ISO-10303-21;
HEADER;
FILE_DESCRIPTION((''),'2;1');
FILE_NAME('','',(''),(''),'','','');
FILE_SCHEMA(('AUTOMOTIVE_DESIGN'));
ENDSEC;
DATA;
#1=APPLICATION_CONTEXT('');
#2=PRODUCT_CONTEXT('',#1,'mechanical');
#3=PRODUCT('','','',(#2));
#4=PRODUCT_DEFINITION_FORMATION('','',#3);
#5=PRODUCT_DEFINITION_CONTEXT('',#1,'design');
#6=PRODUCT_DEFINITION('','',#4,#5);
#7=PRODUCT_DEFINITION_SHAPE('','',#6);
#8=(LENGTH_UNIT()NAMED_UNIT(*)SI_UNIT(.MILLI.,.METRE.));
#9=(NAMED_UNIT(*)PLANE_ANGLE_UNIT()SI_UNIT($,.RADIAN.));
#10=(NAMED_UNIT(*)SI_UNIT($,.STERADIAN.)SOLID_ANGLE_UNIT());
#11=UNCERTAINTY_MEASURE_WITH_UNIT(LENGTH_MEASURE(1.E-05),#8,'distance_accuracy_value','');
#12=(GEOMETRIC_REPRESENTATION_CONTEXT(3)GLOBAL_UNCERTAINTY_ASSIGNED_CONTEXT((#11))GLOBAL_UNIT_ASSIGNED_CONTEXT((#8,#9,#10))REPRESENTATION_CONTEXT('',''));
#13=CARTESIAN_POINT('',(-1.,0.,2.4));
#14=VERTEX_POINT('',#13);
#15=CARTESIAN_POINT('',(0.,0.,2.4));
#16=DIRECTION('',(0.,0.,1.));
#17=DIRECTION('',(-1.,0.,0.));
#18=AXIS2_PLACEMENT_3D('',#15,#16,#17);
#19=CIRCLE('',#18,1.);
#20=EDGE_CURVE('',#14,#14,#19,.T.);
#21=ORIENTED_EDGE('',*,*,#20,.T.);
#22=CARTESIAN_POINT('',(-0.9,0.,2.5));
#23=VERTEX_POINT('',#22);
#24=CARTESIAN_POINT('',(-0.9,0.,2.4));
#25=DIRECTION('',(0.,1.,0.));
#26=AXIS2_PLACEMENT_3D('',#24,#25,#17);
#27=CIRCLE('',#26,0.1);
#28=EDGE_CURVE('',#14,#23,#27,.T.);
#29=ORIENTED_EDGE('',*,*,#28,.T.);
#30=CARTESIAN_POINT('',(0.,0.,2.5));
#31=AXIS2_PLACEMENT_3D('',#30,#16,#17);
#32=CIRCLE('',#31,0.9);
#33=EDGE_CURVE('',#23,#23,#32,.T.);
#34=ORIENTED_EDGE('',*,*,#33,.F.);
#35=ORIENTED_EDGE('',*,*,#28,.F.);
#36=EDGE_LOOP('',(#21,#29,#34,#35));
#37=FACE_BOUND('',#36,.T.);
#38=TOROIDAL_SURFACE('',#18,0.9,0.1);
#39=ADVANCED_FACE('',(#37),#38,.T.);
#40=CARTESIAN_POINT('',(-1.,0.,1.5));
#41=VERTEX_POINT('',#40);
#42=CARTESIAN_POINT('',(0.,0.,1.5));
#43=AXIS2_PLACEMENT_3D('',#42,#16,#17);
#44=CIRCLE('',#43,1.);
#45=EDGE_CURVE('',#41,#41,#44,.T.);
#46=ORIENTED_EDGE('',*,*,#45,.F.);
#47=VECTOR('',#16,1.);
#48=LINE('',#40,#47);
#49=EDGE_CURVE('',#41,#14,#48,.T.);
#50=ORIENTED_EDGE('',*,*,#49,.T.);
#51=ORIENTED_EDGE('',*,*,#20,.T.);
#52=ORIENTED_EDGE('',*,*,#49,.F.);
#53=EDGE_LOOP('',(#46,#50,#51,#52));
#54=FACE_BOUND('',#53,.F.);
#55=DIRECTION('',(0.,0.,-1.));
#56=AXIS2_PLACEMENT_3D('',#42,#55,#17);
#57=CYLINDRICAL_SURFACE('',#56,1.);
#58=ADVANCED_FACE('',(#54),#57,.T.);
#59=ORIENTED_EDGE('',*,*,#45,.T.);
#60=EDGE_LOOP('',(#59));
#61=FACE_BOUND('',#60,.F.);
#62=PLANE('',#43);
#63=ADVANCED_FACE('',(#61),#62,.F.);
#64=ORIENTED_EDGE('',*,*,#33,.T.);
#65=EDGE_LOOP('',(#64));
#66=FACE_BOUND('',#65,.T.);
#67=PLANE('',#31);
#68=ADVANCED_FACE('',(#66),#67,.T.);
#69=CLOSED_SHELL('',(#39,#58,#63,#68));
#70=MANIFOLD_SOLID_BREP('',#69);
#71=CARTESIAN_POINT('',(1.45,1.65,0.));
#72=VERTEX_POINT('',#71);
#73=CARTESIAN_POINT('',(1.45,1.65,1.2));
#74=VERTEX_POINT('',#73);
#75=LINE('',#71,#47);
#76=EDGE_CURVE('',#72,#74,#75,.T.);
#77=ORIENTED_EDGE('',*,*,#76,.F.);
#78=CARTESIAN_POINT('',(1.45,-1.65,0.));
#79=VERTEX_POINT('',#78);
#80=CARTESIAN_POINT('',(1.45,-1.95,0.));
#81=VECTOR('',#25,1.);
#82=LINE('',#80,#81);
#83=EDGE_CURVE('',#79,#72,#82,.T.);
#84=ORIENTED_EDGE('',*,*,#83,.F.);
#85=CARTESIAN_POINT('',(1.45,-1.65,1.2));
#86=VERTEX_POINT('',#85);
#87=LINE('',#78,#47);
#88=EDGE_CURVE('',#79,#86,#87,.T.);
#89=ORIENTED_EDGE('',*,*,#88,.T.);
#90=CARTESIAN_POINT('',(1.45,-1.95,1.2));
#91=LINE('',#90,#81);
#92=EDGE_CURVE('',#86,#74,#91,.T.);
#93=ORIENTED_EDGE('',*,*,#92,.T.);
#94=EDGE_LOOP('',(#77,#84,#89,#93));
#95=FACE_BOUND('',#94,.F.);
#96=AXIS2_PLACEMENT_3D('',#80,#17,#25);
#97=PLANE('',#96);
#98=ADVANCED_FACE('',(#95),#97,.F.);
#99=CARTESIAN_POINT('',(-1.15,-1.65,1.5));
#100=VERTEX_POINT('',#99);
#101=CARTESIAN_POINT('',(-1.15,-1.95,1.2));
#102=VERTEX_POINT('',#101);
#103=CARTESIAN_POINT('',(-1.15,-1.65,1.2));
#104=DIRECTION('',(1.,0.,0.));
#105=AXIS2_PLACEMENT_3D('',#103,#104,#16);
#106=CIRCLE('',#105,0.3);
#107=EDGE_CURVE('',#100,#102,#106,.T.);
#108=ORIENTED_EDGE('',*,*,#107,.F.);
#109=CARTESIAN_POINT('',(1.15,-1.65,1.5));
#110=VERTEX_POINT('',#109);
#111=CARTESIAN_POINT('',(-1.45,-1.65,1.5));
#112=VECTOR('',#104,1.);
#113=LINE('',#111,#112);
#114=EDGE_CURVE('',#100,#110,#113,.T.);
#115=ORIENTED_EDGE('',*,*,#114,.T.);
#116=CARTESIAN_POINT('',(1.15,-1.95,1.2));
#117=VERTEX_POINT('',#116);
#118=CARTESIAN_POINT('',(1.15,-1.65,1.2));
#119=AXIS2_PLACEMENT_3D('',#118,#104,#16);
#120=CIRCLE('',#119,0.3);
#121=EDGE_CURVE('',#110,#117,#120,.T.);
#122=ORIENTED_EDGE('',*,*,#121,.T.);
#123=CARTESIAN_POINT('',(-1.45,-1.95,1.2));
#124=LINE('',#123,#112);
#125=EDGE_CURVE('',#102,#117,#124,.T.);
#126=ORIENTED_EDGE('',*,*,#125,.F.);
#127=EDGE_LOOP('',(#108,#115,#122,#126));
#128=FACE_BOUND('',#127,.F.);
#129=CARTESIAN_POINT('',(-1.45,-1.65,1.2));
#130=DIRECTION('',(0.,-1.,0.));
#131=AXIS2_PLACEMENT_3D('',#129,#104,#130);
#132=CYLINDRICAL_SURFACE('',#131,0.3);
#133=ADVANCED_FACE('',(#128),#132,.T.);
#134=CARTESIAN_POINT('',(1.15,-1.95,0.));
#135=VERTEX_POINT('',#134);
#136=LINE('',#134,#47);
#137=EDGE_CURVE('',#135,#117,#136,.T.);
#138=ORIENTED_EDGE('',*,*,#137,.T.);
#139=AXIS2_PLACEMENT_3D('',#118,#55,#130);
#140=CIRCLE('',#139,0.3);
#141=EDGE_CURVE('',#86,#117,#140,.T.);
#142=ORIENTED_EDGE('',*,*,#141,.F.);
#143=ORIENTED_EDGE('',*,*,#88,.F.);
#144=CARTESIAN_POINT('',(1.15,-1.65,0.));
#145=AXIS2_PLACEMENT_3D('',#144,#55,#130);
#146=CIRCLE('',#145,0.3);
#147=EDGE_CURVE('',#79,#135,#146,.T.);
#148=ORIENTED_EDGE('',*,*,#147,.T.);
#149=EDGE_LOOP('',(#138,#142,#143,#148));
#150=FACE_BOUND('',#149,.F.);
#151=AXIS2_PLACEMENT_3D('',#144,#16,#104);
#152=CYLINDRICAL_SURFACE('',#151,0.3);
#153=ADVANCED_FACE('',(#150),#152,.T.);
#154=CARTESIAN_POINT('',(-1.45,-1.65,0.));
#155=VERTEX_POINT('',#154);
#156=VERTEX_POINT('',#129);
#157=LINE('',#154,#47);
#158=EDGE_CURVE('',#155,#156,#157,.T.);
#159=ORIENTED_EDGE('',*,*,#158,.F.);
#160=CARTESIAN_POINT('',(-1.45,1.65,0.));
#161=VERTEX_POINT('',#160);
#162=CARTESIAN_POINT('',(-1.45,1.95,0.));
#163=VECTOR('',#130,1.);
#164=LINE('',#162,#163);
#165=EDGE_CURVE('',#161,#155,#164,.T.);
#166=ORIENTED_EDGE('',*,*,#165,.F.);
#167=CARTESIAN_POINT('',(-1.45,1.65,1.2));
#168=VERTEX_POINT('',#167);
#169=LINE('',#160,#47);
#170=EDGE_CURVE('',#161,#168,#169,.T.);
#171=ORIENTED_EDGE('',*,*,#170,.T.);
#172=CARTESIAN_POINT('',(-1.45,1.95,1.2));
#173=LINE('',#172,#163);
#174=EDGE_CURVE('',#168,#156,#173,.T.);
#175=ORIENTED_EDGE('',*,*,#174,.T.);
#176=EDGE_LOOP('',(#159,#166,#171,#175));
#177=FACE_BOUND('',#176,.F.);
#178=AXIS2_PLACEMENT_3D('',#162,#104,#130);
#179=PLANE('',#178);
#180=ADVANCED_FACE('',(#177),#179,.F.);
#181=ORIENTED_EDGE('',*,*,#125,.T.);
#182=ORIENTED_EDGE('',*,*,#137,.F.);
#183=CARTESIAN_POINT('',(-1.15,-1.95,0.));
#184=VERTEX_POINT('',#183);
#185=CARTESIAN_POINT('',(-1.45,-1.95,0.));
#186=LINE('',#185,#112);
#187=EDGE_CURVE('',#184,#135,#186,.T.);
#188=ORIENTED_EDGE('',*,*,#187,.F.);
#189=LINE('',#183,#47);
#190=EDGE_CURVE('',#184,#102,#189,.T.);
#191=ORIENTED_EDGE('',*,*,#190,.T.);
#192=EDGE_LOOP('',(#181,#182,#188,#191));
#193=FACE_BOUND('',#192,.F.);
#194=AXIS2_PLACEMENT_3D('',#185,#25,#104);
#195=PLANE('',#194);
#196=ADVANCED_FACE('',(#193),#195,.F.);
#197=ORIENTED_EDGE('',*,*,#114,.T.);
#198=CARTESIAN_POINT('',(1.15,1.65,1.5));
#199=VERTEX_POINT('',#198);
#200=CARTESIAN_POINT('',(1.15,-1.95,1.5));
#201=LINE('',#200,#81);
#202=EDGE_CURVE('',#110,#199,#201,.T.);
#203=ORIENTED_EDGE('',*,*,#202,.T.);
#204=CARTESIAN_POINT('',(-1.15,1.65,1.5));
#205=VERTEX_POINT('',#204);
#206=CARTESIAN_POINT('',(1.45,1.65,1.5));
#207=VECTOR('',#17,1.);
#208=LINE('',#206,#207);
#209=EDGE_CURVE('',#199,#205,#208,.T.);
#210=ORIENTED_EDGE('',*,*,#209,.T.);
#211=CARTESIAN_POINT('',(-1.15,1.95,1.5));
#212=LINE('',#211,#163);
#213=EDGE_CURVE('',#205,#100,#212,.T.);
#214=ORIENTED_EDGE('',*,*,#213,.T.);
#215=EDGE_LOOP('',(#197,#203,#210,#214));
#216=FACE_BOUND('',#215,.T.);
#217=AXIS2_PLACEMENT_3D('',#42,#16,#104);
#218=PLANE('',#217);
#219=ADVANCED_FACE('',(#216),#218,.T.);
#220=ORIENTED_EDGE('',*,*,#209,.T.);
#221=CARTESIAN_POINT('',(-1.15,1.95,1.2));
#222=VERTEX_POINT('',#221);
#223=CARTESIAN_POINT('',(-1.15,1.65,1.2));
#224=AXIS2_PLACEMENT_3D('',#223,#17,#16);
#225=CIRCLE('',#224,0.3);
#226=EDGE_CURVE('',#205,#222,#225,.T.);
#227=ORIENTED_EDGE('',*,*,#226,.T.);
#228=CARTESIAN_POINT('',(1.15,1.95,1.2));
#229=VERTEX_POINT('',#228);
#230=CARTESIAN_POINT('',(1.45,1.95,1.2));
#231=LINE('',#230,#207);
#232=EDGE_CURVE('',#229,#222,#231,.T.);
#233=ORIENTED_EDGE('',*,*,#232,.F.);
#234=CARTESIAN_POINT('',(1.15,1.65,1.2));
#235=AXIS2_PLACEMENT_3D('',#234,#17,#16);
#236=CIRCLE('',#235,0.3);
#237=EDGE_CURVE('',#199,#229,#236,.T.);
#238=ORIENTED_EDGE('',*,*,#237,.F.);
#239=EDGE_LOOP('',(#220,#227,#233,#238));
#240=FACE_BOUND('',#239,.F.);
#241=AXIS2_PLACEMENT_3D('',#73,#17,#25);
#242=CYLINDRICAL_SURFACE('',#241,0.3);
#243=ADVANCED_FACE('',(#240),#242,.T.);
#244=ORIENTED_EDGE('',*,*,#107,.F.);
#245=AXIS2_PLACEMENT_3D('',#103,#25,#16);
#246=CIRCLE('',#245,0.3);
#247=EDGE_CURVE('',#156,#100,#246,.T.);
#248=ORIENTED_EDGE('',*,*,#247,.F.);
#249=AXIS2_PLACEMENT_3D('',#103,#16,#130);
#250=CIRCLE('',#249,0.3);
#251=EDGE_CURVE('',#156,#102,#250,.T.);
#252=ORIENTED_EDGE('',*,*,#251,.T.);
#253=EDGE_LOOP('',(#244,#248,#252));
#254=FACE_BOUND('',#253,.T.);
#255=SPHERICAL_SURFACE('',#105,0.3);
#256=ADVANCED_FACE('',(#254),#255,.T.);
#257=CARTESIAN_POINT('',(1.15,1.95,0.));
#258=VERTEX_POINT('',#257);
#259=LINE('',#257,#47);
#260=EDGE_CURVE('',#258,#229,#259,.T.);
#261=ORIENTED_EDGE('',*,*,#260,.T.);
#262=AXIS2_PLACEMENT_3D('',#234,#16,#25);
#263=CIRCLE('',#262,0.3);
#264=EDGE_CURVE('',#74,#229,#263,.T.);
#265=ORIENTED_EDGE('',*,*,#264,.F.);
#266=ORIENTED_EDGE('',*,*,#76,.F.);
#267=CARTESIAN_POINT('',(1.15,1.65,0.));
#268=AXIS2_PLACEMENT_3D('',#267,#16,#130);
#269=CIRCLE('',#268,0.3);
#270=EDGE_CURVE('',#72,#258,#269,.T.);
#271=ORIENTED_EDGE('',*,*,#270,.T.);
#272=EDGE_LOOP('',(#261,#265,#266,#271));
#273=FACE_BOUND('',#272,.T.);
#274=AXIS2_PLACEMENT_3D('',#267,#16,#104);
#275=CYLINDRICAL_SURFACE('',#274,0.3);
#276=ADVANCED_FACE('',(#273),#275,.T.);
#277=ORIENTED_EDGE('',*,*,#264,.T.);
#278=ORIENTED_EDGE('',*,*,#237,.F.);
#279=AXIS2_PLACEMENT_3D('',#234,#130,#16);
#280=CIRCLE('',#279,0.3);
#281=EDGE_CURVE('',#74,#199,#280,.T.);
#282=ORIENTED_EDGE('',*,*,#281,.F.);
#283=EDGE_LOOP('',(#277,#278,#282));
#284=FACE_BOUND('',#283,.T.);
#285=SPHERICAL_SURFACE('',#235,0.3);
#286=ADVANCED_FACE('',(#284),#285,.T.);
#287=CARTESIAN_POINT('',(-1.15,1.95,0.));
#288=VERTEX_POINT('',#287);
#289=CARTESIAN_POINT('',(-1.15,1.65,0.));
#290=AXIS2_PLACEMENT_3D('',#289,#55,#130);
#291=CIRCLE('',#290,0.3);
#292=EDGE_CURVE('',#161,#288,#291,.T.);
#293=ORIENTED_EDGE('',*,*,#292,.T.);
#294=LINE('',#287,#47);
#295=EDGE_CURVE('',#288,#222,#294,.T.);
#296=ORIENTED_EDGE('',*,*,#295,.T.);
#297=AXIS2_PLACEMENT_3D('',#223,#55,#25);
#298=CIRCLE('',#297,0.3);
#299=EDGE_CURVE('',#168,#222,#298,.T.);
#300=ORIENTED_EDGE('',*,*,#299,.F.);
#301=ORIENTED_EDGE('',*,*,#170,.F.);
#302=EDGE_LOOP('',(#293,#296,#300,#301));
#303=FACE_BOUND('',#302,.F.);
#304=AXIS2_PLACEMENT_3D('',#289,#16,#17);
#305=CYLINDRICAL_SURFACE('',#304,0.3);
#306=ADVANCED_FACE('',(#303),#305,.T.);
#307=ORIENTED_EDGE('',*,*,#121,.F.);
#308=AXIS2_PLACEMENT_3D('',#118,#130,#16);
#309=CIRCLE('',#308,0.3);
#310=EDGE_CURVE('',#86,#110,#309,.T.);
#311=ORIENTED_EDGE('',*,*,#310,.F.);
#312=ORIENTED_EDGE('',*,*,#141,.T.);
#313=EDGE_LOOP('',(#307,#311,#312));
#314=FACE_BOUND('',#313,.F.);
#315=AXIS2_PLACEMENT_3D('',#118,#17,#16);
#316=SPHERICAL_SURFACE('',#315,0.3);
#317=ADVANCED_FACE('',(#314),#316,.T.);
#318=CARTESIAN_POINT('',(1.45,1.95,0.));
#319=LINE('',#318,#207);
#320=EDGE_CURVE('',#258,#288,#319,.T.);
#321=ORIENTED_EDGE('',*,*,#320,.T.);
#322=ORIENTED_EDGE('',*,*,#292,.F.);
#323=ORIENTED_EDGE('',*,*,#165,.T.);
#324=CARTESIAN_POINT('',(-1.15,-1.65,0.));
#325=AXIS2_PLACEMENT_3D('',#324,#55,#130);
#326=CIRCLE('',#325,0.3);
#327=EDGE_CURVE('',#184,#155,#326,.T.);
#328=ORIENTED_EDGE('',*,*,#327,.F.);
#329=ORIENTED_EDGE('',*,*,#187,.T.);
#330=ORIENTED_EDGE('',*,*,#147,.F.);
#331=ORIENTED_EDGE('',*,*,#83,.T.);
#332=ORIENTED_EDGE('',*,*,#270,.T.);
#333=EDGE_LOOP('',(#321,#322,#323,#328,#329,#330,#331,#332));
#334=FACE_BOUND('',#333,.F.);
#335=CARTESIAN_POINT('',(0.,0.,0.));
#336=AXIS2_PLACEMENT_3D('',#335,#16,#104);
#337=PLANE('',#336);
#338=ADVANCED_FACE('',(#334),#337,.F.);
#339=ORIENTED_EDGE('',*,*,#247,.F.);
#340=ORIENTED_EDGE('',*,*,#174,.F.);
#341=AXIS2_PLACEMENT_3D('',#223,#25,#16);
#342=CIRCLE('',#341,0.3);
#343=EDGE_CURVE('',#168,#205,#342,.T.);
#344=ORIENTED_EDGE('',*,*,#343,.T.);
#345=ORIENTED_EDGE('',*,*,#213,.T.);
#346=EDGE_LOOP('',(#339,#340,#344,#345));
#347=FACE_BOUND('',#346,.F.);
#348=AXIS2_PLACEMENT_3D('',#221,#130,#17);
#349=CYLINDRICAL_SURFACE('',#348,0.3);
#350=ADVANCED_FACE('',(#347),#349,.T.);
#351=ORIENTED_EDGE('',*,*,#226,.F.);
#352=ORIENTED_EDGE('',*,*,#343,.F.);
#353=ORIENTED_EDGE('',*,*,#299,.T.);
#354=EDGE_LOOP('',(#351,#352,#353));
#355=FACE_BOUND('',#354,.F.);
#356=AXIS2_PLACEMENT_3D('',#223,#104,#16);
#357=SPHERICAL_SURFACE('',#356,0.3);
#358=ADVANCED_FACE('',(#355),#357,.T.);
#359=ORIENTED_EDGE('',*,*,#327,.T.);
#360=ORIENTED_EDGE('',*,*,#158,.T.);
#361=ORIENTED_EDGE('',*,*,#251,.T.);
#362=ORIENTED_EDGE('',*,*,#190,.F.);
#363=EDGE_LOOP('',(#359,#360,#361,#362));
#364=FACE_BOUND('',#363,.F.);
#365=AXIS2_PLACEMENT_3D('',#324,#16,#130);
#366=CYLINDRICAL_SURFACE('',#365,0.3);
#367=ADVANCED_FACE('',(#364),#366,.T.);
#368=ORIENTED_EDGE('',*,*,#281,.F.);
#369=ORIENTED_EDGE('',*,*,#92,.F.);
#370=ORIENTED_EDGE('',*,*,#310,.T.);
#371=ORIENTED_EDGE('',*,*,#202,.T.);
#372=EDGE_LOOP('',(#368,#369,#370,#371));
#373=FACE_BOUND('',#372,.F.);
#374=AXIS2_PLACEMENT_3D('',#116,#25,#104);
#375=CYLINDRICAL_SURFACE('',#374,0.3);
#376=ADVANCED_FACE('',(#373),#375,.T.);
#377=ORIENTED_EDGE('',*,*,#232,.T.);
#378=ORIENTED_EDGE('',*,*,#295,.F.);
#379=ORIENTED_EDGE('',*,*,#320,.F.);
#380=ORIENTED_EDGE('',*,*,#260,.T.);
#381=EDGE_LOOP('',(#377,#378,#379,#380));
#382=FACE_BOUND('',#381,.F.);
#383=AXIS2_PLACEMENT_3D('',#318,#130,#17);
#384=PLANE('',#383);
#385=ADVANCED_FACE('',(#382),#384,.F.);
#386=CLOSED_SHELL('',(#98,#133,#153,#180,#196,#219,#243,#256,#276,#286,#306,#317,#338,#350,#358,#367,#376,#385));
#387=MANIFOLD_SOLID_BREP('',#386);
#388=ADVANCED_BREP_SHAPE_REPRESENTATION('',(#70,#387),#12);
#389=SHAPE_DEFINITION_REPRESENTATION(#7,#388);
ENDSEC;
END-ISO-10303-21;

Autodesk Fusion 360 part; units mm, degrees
sketch "Sketch1" plane through (0, 0, 0) normal (0, 0, 1) x (1, 0, 0)
  line L0 (1.45, 1.95) -> (-1.45, 1.95)
  line L1 (-1.45, 1.95) -> (-1.45, -1.95)
  line L2 (-1.45, -1.95) -> (1.45, -1.95)
  line L3 (1.45, -1.95) -> (1.45, 1.95)
  line L4 (1.45, 1.95) -> (-1.45, -1.95) construction
  line L5 (-1.45, 1.95) -> (1.45, -1.95) construction
  dimension "d1" = 2.9
  dimension "d2" = 3.9
extrude "Extrude1" add sketch "Sketch1" along normal blind 1.5 makes body 1
fillet "Fillet1" radius 0.3 8 edges at (0, 1.95, 1.5) (0, -1.95, 1.5) (1.45, 0, 1.5) (-1.45, 0, 1.5) (1.45, -1.95, 0.75) (-1.45, -1.95, 0.75) (1.45, 1.95, 0.75) (-1.45, 1.95, 0.75) on bodies 1
sketch "Sketch2" plane through (0, 0, 1.5) normal (0, 0, 1) x (-1, 0, 0)
  line L0 (1.15, -1.65) -> (1.15, 1.65)
  line L1 (1.15, 1.65) -> (-1.15, 1.65)
  line L2 (-1.15, 1.65) -> (-1.15, -1.65)
  line L3 (-1.15, -1.65) -> (1.15, -1.65)
  circle A0 centre (0, 0) radius 1
  dimension "d7" = 2
extrude "Extrude2" add sketch "Sketch2" along normal blind 1 separate body contours A0 makes body 2
fillet "Fillet2" radius 0.1 1 edges at (0.9323, 0.3616, 2.5) on bodies 2
